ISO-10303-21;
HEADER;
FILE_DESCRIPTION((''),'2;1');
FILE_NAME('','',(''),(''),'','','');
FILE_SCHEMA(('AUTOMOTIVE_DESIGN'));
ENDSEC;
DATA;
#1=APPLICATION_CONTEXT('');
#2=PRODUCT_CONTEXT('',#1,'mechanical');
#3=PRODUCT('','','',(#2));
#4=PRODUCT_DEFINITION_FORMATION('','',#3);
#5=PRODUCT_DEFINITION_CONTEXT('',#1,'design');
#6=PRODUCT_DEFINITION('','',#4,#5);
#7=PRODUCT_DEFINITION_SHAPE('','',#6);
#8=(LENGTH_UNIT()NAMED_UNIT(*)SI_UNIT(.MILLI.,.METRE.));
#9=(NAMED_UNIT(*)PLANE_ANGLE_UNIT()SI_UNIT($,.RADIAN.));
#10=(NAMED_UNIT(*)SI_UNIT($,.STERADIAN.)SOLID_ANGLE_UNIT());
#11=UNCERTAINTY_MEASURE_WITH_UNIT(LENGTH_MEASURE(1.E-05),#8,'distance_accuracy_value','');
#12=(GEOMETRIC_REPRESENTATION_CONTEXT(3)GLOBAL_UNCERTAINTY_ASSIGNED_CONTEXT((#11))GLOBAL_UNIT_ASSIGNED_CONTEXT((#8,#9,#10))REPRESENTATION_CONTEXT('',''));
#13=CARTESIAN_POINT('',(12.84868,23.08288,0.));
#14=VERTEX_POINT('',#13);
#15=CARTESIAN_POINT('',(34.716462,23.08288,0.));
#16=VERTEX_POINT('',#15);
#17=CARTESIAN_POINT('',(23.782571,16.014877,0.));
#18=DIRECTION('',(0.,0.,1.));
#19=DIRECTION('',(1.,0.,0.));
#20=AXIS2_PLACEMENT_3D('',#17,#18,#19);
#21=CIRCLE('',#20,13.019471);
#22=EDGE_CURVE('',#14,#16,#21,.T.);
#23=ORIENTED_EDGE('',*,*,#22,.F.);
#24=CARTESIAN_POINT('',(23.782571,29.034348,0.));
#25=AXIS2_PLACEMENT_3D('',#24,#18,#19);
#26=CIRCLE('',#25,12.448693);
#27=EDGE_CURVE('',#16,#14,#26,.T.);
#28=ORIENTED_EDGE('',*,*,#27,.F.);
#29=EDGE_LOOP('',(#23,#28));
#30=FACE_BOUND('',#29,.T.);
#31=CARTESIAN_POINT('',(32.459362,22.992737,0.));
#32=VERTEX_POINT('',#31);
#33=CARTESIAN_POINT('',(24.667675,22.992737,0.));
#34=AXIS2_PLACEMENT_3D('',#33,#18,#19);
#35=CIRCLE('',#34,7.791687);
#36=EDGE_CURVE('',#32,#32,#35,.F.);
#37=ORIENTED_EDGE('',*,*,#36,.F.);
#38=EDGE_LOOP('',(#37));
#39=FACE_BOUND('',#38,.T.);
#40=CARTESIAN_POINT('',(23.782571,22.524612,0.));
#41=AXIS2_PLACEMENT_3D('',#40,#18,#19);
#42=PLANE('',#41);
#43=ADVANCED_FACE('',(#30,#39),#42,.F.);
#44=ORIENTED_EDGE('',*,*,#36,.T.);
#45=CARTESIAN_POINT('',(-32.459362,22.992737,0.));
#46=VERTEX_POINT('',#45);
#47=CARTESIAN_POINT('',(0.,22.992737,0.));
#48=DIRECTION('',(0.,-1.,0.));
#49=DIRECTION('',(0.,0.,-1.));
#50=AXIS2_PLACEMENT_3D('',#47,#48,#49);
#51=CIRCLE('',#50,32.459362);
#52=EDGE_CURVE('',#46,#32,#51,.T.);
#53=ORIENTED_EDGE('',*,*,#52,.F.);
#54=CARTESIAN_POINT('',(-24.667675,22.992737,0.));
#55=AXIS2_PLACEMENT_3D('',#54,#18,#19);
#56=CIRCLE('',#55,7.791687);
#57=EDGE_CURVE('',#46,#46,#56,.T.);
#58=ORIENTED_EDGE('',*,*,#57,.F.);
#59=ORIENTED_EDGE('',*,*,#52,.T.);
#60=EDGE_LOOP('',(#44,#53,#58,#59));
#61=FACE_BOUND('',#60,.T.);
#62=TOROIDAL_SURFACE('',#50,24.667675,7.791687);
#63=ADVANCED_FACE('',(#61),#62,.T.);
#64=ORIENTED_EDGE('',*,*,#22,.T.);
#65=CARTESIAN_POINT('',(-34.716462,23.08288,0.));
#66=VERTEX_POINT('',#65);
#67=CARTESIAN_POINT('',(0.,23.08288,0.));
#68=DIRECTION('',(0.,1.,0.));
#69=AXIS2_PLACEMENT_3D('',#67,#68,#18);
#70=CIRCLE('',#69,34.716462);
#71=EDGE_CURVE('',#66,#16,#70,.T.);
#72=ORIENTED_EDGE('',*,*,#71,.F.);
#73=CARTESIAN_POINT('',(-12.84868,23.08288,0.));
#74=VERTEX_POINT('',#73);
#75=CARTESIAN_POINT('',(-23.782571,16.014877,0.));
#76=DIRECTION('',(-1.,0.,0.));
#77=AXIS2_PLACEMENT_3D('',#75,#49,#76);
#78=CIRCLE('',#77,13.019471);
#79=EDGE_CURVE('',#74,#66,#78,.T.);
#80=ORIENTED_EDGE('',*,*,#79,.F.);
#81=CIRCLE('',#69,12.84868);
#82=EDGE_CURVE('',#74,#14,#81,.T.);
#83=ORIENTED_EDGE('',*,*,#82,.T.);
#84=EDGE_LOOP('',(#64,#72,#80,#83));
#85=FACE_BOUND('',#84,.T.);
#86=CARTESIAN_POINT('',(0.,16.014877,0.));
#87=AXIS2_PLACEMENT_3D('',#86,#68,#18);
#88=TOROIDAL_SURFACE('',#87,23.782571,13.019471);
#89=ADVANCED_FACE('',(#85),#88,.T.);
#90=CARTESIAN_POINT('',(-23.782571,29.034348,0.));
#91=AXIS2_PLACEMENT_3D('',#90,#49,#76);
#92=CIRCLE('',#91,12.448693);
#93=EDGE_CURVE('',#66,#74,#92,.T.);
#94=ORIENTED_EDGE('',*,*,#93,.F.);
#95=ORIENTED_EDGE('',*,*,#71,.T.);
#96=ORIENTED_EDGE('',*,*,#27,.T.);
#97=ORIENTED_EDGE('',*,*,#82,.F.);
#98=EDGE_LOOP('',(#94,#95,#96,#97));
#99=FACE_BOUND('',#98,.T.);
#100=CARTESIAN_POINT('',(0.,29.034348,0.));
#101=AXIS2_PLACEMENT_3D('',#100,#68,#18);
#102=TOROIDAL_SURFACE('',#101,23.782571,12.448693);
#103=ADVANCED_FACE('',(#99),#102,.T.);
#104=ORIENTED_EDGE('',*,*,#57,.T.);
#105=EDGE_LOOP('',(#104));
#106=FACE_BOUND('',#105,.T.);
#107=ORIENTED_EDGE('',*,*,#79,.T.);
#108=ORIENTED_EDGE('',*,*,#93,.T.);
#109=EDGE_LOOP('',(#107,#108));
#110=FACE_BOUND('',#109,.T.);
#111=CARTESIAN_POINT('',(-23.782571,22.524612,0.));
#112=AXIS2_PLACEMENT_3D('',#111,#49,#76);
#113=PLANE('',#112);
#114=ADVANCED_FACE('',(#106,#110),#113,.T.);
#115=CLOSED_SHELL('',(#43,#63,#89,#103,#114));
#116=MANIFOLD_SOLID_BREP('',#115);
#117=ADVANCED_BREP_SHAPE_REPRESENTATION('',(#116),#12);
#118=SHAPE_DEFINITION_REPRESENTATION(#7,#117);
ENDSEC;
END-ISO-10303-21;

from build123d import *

# Parameters (mm, degrees)
REVOLVE4_ANGLE = 180
SKETCH3_R      = 7.79168693
REVOLVE5_ANGLE = 180


with BuildPart() as part:
    # Sketch1 → Revolve4 (revolve)
    with BuildSketch(Plane.XY):
        with BuildLine():
            ThreePointArc((12.848680198, 23.082879541), (23.782571169, 2.995405058), (34.716462141, 23.082879541))
            ThreePointArc((34.716462141, 23.082879541), (23.782571169, 41.483040718), (12.848680198, 23.082879541))
        make_face()
    revolve(axis=Axis((0, 50.729758663, 0), (0, -1, 0)), revolution_arc=REVOLVE4_ANGLE)

    # Sketch3 → Revolve5 (revolve)
    with BuildSketch(Plane(origin=(0, 0, 0), x_dir=(-1, 0, 0), z_dir=(0, 0, -1))):
        with Locations((-24.667675494, 22.992737091)):
            Circle(SKETCH3_R)
    revolve(axis=Axis((0, 0, 0), (0, 1, 0)), revolution_arc=REVOLVE5_ANGLE)


solid = part.part
